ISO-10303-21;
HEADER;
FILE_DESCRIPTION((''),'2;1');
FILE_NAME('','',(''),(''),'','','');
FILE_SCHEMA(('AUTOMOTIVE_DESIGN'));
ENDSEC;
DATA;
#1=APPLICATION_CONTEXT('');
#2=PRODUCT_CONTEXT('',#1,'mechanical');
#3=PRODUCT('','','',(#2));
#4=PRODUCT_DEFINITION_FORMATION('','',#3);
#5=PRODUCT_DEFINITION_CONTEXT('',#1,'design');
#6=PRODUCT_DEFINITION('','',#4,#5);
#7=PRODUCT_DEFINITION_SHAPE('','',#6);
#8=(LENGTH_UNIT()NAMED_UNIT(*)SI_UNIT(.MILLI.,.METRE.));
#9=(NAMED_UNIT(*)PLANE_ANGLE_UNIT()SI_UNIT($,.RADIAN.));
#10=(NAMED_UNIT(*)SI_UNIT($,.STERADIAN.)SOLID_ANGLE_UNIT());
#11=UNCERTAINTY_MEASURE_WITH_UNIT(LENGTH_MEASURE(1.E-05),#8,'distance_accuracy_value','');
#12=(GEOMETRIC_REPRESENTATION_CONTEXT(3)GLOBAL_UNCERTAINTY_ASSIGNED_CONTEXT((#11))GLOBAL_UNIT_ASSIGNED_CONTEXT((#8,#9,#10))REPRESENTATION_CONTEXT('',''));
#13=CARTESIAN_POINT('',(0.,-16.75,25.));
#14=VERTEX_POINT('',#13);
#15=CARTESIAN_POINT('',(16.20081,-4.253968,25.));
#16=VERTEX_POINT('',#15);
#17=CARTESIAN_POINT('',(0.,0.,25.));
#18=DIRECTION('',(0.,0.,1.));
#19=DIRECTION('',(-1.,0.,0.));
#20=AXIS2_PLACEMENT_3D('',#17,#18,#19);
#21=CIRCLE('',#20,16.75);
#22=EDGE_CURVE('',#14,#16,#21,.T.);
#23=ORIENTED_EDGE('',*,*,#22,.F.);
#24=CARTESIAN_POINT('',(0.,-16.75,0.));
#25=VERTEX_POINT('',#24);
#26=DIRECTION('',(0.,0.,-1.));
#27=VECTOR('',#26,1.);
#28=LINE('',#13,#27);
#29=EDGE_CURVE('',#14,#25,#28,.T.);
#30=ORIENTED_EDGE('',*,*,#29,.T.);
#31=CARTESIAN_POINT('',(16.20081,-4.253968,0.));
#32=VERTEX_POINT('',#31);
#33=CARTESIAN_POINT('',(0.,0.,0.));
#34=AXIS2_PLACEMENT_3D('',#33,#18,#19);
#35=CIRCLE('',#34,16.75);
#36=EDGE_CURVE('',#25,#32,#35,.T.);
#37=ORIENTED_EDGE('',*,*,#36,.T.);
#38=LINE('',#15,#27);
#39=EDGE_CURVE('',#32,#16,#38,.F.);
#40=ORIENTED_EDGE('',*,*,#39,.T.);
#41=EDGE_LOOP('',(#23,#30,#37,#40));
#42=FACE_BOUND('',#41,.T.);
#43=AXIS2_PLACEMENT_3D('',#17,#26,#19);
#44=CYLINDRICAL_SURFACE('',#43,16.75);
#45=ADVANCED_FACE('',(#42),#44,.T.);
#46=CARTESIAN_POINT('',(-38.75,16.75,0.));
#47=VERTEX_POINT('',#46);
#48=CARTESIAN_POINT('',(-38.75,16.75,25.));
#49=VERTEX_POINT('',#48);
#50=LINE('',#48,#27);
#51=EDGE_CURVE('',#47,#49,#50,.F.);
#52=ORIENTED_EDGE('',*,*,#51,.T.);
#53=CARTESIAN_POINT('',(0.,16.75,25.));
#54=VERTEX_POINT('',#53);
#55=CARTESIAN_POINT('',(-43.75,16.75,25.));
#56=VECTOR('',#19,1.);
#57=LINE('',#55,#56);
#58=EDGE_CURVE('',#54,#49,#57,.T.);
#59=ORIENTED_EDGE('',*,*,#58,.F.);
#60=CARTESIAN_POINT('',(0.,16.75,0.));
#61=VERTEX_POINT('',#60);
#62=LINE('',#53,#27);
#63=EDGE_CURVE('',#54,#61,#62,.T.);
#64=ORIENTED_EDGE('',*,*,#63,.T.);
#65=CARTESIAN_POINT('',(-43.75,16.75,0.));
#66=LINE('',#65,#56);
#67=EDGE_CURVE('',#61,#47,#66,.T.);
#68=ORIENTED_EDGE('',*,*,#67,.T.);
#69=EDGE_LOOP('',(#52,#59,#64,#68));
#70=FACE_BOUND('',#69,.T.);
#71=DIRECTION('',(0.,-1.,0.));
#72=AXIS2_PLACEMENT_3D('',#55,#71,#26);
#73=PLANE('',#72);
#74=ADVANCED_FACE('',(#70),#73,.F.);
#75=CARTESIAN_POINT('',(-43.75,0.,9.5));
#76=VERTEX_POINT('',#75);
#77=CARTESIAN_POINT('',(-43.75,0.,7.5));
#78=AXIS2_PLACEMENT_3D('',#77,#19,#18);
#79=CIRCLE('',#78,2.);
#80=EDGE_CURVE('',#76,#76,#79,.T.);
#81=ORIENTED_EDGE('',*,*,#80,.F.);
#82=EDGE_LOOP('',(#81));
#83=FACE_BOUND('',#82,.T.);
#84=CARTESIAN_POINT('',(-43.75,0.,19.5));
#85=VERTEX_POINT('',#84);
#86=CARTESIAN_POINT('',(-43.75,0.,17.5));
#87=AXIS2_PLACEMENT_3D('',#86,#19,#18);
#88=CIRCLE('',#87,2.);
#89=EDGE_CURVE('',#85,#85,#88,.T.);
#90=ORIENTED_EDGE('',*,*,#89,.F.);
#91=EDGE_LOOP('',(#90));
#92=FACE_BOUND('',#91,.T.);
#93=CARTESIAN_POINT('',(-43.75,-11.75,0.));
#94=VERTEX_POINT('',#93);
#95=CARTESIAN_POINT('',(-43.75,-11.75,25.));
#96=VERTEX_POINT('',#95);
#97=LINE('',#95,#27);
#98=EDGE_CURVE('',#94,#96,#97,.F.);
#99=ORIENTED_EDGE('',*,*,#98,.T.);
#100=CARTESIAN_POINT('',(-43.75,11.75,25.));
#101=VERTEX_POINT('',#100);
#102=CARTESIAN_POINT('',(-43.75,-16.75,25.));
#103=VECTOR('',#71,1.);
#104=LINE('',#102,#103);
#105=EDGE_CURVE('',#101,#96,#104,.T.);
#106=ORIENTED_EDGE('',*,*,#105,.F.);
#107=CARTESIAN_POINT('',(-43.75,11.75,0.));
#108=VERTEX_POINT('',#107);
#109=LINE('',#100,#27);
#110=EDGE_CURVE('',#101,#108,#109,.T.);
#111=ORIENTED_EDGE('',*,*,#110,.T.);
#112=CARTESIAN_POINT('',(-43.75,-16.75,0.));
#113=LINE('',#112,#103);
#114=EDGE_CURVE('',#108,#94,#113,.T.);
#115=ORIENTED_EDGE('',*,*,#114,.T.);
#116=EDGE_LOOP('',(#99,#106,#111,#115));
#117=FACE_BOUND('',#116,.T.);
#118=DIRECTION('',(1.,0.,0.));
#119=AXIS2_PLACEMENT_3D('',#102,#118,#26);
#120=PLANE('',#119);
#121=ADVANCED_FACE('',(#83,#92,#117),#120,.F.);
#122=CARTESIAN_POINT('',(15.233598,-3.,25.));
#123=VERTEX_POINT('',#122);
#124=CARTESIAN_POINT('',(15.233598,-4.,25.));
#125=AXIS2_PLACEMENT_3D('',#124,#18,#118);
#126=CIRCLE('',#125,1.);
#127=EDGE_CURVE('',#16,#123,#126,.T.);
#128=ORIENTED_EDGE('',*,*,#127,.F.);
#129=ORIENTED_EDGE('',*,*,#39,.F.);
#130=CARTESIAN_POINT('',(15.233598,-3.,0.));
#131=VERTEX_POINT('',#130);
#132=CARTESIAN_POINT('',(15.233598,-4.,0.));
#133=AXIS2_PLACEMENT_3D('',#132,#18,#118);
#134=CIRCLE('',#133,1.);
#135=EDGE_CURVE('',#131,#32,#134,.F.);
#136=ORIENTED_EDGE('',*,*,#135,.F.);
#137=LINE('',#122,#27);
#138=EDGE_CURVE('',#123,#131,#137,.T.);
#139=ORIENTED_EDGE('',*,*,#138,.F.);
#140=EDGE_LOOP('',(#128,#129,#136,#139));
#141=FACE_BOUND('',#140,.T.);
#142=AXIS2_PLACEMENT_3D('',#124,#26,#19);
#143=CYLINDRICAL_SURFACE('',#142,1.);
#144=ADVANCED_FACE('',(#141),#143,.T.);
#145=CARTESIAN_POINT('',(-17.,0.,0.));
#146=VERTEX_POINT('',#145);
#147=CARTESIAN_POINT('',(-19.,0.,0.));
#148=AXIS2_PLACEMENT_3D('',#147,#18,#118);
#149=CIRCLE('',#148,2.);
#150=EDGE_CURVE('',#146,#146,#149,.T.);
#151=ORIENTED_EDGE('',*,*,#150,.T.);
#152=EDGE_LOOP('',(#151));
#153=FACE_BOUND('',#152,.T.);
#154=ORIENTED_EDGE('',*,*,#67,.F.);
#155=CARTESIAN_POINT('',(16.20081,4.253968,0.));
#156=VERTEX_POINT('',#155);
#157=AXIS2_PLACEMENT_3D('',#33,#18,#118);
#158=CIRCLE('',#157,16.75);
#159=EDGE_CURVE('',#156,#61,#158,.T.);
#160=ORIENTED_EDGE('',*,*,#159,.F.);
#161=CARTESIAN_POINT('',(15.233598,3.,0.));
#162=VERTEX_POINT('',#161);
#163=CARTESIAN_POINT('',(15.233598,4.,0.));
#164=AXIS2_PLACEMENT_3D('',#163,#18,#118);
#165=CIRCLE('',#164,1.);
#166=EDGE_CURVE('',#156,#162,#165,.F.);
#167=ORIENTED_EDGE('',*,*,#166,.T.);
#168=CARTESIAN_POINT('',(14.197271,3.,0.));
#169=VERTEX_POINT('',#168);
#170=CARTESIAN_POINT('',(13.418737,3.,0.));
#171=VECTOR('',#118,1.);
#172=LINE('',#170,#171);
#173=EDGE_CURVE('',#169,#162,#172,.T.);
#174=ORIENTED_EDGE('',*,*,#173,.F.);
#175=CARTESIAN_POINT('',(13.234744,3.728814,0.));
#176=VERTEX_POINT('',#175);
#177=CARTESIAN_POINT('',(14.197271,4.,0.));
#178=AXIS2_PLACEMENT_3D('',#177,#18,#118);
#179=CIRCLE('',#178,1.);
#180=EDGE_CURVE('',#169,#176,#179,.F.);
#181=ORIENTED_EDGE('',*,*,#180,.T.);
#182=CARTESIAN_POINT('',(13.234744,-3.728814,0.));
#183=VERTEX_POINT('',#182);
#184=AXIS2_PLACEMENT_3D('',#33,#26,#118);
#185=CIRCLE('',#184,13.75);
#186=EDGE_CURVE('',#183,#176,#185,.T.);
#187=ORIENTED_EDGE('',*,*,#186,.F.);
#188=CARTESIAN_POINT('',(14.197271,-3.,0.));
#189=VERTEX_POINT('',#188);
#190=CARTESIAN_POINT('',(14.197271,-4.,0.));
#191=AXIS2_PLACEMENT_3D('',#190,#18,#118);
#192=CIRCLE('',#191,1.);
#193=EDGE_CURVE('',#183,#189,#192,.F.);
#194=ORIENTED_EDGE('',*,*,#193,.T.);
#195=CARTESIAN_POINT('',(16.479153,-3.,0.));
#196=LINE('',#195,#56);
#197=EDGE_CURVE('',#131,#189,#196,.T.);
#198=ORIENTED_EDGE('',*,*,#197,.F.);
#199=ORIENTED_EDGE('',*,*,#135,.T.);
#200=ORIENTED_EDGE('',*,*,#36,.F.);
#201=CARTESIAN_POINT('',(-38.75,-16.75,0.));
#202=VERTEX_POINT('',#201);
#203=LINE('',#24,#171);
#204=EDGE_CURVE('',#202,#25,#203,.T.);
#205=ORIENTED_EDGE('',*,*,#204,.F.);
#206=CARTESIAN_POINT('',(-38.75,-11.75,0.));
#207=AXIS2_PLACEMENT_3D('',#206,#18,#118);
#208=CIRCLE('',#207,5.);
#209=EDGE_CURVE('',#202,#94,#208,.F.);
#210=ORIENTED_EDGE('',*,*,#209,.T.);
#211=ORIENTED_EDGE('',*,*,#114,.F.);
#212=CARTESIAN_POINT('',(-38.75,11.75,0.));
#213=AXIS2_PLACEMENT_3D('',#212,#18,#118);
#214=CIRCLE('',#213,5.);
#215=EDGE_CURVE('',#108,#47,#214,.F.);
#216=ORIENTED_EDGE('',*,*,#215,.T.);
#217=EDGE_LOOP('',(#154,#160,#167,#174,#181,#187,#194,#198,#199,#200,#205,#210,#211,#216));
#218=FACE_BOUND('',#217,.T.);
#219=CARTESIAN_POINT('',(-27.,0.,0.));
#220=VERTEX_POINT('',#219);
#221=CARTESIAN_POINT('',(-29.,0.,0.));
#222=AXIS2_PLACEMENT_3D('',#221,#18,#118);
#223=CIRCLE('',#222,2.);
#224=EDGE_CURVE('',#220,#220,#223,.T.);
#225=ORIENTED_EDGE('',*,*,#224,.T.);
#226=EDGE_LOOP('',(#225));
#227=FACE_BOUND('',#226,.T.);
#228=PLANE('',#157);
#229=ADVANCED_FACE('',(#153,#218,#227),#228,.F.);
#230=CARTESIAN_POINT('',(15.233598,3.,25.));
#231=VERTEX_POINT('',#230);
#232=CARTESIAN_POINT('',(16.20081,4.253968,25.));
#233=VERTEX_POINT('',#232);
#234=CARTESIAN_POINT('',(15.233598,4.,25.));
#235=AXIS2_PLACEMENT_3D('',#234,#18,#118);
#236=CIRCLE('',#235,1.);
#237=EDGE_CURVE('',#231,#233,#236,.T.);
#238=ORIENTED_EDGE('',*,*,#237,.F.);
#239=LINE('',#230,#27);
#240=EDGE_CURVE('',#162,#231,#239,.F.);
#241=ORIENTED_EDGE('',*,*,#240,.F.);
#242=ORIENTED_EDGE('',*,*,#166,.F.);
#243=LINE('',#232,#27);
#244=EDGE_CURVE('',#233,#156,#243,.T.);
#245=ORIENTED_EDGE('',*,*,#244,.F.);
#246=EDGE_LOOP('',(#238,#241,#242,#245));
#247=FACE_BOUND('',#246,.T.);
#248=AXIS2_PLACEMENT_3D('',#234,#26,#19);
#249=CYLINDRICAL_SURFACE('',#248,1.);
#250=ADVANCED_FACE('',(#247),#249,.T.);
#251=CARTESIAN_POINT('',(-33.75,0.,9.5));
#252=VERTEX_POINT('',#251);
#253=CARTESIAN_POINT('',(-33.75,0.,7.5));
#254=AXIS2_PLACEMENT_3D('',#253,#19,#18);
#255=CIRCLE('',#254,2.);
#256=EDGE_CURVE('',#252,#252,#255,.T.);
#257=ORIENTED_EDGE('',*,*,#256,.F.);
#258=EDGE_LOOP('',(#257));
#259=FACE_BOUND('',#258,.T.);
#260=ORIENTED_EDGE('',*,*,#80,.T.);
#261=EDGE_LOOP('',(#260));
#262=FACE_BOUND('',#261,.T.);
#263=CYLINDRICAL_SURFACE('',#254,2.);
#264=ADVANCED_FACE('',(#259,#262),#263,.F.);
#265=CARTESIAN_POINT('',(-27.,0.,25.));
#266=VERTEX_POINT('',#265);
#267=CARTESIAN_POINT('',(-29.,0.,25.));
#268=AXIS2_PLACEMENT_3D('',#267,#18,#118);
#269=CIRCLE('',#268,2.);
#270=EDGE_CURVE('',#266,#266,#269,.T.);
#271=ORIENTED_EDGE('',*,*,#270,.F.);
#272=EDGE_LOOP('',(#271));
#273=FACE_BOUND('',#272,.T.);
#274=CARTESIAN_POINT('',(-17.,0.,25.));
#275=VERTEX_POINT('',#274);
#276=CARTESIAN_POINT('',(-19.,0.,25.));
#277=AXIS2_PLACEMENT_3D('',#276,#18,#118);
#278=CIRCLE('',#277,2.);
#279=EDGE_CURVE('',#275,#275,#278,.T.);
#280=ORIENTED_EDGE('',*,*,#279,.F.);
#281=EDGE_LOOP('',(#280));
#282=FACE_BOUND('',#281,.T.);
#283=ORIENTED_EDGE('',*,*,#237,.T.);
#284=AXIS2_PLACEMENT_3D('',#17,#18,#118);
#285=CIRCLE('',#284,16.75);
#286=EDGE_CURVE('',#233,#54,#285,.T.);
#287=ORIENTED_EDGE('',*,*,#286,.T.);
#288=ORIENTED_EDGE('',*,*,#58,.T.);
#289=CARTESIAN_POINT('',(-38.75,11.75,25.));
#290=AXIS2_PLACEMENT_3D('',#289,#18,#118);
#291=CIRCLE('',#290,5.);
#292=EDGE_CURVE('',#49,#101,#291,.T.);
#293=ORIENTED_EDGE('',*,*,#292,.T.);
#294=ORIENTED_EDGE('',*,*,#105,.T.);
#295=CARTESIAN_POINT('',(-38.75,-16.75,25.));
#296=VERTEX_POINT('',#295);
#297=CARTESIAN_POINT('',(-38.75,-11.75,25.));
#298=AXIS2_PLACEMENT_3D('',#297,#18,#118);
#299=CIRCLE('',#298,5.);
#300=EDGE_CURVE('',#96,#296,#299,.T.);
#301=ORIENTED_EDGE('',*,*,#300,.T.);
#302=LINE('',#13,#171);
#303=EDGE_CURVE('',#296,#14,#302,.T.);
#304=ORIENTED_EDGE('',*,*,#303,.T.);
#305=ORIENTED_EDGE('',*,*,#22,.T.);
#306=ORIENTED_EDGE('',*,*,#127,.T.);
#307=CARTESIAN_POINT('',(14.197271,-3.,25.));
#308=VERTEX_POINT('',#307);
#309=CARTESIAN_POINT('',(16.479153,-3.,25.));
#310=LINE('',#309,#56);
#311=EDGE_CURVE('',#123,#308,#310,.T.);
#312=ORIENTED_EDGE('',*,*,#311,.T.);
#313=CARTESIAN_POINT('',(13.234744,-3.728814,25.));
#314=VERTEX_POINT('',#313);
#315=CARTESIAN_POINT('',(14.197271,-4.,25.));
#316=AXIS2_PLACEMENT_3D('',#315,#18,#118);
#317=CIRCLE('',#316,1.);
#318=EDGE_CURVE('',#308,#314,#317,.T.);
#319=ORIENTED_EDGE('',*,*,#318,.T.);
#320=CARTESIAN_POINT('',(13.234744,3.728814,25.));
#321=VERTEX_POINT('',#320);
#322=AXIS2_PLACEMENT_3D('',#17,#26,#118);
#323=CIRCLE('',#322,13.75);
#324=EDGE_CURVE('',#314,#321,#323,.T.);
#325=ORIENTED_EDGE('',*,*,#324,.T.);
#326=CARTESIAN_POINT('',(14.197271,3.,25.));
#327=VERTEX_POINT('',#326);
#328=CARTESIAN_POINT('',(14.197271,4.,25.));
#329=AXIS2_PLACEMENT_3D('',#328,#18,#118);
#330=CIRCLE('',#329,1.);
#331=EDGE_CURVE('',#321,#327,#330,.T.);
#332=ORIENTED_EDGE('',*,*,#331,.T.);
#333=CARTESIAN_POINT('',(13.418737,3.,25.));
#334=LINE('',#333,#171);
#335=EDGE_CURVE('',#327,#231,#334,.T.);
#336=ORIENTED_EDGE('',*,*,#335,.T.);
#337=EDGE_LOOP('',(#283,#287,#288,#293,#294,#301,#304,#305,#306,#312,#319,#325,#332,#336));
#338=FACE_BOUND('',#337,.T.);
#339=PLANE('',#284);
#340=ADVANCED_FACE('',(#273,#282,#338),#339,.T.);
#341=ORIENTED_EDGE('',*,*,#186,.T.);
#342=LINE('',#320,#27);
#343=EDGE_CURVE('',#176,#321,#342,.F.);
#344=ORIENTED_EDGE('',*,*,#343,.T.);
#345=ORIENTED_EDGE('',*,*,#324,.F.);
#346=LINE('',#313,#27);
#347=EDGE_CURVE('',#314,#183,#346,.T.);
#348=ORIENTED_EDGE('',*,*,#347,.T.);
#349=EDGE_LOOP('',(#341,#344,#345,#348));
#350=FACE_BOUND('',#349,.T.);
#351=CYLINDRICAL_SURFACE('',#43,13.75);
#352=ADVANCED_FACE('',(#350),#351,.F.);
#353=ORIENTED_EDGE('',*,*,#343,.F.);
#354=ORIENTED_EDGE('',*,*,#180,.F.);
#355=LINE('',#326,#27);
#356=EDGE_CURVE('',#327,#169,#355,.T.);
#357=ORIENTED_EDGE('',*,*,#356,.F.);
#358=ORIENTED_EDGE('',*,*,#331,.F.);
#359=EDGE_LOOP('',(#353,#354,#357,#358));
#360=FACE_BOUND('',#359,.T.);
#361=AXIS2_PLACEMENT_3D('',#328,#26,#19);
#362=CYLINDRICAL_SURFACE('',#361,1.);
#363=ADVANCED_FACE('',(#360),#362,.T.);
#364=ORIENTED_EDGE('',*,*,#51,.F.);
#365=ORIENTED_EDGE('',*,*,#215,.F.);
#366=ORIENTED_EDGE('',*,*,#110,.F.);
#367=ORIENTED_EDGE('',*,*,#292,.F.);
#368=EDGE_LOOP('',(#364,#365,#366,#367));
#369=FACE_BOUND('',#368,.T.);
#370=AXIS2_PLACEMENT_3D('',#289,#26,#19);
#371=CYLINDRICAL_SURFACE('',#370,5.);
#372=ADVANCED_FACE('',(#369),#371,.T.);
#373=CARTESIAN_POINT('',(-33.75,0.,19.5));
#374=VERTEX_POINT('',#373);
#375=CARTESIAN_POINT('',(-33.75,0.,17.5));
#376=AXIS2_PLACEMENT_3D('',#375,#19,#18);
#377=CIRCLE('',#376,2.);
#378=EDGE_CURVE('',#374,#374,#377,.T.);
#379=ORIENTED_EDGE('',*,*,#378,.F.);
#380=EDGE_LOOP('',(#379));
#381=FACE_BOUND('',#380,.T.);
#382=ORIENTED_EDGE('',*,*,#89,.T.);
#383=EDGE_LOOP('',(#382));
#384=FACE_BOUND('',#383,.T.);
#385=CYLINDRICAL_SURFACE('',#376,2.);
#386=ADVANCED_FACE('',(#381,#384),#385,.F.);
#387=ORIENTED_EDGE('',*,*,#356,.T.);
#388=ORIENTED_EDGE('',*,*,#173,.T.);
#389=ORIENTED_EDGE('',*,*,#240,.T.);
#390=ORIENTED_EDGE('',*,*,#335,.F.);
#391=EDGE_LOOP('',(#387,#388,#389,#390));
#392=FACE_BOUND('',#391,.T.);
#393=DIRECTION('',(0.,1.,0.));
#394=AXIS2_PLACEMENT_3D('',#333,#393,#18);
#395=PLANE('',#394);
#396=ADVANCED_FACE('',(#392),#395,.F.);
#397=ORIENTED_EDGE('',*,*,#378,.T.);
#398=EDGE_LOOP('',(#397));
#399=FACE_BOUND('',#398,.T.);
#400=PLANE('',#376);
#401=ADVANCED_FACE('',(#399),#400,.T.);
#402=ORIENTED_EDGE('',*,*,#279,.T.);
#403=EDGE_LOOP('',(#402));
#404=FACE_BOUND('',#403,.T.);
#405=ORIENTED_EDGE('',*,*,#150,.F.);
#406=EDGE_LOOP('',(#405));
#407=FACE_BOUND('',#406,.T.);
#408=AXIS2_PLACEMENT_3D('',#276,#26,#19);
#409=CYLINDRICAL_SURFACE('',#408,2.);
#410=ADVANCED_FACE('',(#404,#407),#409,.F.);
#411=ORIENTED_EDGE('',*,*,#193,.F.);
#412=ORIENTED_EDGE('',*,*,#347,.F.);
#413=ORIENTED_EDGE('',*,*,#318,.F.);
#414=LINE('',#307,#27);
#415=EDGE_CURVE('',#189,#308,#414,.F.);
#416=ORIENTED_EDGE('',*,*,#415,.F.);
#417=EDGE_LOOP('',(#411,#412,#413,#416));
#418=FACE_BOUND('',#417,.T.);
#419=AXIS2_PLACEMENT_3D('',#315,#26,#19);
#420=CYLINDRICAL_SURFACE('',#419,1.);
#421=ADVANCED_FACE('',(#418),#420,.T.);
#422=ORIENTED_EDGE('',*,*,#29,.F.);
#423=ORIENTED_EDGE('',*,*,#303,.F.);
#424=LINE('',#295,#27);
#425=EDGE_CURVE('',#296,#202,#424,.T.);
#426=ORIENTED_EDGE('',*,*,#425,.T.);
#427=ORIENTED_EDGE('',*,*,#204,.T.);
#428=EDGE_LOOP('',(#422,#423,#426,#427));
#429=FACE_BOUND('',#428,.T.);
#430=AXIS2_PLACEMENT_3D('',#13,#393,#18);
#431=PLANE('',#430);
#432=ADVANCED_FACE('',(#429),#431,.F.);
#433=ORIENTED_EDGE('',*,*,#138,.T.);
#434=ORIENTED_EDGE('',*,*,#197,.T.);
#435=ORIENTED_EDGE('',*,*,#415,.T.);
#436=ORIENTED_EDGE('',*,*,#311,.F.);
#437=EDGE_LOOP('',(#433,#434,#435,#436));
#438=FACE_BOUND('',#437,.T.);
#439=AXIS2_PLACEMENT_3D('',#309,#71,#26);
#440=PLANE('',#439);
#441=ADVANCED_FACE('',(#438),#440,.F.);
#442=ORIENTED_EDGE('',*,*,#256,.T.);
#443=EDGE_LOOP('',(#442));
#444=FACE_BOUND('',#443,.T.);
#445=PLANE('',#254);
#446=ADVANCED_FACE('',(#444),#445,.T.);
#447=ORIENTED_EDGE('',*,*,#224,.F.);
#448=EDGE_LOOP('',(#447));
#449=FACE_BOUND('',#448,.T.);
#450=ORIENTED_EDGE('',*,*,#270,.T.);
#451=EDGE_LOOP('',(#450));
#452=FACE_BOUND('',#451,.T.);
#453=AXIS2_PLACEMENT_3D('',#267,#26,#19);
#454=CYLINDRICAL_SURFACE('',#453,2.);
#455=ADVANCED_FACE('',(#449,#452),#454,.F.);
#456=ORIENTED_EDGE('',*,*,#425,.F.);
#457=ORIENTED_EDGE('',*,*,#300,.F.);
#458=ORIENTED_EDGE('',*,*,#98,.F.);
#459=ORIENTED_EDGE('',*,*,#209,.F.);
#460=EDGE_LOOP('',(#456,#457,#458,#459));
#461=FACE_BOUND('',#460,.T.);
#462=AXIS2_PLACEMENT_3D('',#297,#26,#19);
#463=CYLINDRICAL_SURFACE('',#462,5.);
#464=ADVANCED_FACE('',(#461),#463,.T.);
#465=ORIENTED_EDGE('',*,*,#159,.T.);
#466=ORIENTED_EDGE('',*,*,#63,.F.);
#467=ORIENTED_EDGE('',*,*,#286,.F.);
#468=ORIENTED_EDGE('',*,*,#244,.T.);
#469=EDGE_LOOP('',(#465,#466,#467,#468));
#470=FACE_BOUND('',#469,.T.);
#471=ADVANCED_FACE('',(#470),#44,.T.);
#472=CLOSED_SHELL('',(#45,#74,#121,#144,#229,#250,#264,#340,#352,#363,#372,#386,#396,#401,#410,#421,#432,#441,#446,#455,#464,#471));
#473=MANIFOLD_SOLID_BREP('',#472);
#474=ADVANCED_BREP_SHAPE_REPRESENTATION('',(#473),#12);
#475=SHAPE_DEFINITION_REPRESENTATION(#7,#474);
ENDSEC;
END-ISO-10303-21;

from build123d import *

# Parameters (mm, degrees)
ESQUISSE1_R             = 2
BOSS_EXTRU_1_DEPTH      = 25
ESQUISSE5_R             = 2
ENL_V_MAT_EXTRU_2_DEPTH = 10
CONG_1_R                = 5
CONG_2_R                = 1


with BuildPart() as part:
    # Esquisse1 → Boss.-Extru.1 (new body)
    with BuildSketch(Plane.XY):
        with BuildLine():
            Line((13.4187369, 3), (16.479153498, 3))
            ThreePointArc((16.479153498, 3), (10.731088016, 12.861036117), (0, 16.75))
            Line((0, 16.75), (-43.75, 16.75))
            Line((-43.75, 16.75), (-43.75, -16.75))
            Line((-43.75, -16.75), (0, -16.75))
            ThreePointArc((0, -16.75), (10.731088016, -12.861036117), (16.479153498, -3))
            Line((16.479153498, -3), (13.4187369, -3))
            ThreePointArc((13.4187369, -3), (-13.75, 0), (13.4187369, 3))
        make_face()
        with Locations((-29, 0)):
            Circle(ESQUISSE1_R, mode=Mode.SUBTRACT)
        with Locations((-19, 0)):
            Circle(ESQUISSE1_R, mode=Mode.SUBTRACT)
    extrude(amount=BOSS_EXTRU_1_DEPTH)

    # Esquisse5 → Enlèv. mat.-Extru.2 (cut)
    with BuildSketch(Plane.ZY.offset(43.75)):
        with Locations((7.5, 0)):
            Circle(ESQUISSE5_R)
        with Locations((17.5, 0)):
            Circle(ESQUISSE5_R)
    extrude(amount=-ENL_V_MAT_EXTRU_2_DEPTH, mode=Mode.SUBTRACT)

    # Congé1
    cong_1_edges = [part.edges().sort_by_distance(p)[0] for p in [
        (-43.75, -16.75, 12.5),
        (-43.75, 16.75, 12.5),
    ]]
    fillet(cong_1_edges, radius=CONG_1_R)

    # Congé2
    cong_2_edges = [part.edges().sort_by_distance(p)[0] for p in [
        (13.4187369, -3, 12.5),
        (16.479153498, -3, 12.5),
        (16.479153498, 3, 12.5),
        (13.4187369, 3, 12.5),
    ]]
    fillet(cong_2_edges, radius=CONG_2_R)


solid = part.part
